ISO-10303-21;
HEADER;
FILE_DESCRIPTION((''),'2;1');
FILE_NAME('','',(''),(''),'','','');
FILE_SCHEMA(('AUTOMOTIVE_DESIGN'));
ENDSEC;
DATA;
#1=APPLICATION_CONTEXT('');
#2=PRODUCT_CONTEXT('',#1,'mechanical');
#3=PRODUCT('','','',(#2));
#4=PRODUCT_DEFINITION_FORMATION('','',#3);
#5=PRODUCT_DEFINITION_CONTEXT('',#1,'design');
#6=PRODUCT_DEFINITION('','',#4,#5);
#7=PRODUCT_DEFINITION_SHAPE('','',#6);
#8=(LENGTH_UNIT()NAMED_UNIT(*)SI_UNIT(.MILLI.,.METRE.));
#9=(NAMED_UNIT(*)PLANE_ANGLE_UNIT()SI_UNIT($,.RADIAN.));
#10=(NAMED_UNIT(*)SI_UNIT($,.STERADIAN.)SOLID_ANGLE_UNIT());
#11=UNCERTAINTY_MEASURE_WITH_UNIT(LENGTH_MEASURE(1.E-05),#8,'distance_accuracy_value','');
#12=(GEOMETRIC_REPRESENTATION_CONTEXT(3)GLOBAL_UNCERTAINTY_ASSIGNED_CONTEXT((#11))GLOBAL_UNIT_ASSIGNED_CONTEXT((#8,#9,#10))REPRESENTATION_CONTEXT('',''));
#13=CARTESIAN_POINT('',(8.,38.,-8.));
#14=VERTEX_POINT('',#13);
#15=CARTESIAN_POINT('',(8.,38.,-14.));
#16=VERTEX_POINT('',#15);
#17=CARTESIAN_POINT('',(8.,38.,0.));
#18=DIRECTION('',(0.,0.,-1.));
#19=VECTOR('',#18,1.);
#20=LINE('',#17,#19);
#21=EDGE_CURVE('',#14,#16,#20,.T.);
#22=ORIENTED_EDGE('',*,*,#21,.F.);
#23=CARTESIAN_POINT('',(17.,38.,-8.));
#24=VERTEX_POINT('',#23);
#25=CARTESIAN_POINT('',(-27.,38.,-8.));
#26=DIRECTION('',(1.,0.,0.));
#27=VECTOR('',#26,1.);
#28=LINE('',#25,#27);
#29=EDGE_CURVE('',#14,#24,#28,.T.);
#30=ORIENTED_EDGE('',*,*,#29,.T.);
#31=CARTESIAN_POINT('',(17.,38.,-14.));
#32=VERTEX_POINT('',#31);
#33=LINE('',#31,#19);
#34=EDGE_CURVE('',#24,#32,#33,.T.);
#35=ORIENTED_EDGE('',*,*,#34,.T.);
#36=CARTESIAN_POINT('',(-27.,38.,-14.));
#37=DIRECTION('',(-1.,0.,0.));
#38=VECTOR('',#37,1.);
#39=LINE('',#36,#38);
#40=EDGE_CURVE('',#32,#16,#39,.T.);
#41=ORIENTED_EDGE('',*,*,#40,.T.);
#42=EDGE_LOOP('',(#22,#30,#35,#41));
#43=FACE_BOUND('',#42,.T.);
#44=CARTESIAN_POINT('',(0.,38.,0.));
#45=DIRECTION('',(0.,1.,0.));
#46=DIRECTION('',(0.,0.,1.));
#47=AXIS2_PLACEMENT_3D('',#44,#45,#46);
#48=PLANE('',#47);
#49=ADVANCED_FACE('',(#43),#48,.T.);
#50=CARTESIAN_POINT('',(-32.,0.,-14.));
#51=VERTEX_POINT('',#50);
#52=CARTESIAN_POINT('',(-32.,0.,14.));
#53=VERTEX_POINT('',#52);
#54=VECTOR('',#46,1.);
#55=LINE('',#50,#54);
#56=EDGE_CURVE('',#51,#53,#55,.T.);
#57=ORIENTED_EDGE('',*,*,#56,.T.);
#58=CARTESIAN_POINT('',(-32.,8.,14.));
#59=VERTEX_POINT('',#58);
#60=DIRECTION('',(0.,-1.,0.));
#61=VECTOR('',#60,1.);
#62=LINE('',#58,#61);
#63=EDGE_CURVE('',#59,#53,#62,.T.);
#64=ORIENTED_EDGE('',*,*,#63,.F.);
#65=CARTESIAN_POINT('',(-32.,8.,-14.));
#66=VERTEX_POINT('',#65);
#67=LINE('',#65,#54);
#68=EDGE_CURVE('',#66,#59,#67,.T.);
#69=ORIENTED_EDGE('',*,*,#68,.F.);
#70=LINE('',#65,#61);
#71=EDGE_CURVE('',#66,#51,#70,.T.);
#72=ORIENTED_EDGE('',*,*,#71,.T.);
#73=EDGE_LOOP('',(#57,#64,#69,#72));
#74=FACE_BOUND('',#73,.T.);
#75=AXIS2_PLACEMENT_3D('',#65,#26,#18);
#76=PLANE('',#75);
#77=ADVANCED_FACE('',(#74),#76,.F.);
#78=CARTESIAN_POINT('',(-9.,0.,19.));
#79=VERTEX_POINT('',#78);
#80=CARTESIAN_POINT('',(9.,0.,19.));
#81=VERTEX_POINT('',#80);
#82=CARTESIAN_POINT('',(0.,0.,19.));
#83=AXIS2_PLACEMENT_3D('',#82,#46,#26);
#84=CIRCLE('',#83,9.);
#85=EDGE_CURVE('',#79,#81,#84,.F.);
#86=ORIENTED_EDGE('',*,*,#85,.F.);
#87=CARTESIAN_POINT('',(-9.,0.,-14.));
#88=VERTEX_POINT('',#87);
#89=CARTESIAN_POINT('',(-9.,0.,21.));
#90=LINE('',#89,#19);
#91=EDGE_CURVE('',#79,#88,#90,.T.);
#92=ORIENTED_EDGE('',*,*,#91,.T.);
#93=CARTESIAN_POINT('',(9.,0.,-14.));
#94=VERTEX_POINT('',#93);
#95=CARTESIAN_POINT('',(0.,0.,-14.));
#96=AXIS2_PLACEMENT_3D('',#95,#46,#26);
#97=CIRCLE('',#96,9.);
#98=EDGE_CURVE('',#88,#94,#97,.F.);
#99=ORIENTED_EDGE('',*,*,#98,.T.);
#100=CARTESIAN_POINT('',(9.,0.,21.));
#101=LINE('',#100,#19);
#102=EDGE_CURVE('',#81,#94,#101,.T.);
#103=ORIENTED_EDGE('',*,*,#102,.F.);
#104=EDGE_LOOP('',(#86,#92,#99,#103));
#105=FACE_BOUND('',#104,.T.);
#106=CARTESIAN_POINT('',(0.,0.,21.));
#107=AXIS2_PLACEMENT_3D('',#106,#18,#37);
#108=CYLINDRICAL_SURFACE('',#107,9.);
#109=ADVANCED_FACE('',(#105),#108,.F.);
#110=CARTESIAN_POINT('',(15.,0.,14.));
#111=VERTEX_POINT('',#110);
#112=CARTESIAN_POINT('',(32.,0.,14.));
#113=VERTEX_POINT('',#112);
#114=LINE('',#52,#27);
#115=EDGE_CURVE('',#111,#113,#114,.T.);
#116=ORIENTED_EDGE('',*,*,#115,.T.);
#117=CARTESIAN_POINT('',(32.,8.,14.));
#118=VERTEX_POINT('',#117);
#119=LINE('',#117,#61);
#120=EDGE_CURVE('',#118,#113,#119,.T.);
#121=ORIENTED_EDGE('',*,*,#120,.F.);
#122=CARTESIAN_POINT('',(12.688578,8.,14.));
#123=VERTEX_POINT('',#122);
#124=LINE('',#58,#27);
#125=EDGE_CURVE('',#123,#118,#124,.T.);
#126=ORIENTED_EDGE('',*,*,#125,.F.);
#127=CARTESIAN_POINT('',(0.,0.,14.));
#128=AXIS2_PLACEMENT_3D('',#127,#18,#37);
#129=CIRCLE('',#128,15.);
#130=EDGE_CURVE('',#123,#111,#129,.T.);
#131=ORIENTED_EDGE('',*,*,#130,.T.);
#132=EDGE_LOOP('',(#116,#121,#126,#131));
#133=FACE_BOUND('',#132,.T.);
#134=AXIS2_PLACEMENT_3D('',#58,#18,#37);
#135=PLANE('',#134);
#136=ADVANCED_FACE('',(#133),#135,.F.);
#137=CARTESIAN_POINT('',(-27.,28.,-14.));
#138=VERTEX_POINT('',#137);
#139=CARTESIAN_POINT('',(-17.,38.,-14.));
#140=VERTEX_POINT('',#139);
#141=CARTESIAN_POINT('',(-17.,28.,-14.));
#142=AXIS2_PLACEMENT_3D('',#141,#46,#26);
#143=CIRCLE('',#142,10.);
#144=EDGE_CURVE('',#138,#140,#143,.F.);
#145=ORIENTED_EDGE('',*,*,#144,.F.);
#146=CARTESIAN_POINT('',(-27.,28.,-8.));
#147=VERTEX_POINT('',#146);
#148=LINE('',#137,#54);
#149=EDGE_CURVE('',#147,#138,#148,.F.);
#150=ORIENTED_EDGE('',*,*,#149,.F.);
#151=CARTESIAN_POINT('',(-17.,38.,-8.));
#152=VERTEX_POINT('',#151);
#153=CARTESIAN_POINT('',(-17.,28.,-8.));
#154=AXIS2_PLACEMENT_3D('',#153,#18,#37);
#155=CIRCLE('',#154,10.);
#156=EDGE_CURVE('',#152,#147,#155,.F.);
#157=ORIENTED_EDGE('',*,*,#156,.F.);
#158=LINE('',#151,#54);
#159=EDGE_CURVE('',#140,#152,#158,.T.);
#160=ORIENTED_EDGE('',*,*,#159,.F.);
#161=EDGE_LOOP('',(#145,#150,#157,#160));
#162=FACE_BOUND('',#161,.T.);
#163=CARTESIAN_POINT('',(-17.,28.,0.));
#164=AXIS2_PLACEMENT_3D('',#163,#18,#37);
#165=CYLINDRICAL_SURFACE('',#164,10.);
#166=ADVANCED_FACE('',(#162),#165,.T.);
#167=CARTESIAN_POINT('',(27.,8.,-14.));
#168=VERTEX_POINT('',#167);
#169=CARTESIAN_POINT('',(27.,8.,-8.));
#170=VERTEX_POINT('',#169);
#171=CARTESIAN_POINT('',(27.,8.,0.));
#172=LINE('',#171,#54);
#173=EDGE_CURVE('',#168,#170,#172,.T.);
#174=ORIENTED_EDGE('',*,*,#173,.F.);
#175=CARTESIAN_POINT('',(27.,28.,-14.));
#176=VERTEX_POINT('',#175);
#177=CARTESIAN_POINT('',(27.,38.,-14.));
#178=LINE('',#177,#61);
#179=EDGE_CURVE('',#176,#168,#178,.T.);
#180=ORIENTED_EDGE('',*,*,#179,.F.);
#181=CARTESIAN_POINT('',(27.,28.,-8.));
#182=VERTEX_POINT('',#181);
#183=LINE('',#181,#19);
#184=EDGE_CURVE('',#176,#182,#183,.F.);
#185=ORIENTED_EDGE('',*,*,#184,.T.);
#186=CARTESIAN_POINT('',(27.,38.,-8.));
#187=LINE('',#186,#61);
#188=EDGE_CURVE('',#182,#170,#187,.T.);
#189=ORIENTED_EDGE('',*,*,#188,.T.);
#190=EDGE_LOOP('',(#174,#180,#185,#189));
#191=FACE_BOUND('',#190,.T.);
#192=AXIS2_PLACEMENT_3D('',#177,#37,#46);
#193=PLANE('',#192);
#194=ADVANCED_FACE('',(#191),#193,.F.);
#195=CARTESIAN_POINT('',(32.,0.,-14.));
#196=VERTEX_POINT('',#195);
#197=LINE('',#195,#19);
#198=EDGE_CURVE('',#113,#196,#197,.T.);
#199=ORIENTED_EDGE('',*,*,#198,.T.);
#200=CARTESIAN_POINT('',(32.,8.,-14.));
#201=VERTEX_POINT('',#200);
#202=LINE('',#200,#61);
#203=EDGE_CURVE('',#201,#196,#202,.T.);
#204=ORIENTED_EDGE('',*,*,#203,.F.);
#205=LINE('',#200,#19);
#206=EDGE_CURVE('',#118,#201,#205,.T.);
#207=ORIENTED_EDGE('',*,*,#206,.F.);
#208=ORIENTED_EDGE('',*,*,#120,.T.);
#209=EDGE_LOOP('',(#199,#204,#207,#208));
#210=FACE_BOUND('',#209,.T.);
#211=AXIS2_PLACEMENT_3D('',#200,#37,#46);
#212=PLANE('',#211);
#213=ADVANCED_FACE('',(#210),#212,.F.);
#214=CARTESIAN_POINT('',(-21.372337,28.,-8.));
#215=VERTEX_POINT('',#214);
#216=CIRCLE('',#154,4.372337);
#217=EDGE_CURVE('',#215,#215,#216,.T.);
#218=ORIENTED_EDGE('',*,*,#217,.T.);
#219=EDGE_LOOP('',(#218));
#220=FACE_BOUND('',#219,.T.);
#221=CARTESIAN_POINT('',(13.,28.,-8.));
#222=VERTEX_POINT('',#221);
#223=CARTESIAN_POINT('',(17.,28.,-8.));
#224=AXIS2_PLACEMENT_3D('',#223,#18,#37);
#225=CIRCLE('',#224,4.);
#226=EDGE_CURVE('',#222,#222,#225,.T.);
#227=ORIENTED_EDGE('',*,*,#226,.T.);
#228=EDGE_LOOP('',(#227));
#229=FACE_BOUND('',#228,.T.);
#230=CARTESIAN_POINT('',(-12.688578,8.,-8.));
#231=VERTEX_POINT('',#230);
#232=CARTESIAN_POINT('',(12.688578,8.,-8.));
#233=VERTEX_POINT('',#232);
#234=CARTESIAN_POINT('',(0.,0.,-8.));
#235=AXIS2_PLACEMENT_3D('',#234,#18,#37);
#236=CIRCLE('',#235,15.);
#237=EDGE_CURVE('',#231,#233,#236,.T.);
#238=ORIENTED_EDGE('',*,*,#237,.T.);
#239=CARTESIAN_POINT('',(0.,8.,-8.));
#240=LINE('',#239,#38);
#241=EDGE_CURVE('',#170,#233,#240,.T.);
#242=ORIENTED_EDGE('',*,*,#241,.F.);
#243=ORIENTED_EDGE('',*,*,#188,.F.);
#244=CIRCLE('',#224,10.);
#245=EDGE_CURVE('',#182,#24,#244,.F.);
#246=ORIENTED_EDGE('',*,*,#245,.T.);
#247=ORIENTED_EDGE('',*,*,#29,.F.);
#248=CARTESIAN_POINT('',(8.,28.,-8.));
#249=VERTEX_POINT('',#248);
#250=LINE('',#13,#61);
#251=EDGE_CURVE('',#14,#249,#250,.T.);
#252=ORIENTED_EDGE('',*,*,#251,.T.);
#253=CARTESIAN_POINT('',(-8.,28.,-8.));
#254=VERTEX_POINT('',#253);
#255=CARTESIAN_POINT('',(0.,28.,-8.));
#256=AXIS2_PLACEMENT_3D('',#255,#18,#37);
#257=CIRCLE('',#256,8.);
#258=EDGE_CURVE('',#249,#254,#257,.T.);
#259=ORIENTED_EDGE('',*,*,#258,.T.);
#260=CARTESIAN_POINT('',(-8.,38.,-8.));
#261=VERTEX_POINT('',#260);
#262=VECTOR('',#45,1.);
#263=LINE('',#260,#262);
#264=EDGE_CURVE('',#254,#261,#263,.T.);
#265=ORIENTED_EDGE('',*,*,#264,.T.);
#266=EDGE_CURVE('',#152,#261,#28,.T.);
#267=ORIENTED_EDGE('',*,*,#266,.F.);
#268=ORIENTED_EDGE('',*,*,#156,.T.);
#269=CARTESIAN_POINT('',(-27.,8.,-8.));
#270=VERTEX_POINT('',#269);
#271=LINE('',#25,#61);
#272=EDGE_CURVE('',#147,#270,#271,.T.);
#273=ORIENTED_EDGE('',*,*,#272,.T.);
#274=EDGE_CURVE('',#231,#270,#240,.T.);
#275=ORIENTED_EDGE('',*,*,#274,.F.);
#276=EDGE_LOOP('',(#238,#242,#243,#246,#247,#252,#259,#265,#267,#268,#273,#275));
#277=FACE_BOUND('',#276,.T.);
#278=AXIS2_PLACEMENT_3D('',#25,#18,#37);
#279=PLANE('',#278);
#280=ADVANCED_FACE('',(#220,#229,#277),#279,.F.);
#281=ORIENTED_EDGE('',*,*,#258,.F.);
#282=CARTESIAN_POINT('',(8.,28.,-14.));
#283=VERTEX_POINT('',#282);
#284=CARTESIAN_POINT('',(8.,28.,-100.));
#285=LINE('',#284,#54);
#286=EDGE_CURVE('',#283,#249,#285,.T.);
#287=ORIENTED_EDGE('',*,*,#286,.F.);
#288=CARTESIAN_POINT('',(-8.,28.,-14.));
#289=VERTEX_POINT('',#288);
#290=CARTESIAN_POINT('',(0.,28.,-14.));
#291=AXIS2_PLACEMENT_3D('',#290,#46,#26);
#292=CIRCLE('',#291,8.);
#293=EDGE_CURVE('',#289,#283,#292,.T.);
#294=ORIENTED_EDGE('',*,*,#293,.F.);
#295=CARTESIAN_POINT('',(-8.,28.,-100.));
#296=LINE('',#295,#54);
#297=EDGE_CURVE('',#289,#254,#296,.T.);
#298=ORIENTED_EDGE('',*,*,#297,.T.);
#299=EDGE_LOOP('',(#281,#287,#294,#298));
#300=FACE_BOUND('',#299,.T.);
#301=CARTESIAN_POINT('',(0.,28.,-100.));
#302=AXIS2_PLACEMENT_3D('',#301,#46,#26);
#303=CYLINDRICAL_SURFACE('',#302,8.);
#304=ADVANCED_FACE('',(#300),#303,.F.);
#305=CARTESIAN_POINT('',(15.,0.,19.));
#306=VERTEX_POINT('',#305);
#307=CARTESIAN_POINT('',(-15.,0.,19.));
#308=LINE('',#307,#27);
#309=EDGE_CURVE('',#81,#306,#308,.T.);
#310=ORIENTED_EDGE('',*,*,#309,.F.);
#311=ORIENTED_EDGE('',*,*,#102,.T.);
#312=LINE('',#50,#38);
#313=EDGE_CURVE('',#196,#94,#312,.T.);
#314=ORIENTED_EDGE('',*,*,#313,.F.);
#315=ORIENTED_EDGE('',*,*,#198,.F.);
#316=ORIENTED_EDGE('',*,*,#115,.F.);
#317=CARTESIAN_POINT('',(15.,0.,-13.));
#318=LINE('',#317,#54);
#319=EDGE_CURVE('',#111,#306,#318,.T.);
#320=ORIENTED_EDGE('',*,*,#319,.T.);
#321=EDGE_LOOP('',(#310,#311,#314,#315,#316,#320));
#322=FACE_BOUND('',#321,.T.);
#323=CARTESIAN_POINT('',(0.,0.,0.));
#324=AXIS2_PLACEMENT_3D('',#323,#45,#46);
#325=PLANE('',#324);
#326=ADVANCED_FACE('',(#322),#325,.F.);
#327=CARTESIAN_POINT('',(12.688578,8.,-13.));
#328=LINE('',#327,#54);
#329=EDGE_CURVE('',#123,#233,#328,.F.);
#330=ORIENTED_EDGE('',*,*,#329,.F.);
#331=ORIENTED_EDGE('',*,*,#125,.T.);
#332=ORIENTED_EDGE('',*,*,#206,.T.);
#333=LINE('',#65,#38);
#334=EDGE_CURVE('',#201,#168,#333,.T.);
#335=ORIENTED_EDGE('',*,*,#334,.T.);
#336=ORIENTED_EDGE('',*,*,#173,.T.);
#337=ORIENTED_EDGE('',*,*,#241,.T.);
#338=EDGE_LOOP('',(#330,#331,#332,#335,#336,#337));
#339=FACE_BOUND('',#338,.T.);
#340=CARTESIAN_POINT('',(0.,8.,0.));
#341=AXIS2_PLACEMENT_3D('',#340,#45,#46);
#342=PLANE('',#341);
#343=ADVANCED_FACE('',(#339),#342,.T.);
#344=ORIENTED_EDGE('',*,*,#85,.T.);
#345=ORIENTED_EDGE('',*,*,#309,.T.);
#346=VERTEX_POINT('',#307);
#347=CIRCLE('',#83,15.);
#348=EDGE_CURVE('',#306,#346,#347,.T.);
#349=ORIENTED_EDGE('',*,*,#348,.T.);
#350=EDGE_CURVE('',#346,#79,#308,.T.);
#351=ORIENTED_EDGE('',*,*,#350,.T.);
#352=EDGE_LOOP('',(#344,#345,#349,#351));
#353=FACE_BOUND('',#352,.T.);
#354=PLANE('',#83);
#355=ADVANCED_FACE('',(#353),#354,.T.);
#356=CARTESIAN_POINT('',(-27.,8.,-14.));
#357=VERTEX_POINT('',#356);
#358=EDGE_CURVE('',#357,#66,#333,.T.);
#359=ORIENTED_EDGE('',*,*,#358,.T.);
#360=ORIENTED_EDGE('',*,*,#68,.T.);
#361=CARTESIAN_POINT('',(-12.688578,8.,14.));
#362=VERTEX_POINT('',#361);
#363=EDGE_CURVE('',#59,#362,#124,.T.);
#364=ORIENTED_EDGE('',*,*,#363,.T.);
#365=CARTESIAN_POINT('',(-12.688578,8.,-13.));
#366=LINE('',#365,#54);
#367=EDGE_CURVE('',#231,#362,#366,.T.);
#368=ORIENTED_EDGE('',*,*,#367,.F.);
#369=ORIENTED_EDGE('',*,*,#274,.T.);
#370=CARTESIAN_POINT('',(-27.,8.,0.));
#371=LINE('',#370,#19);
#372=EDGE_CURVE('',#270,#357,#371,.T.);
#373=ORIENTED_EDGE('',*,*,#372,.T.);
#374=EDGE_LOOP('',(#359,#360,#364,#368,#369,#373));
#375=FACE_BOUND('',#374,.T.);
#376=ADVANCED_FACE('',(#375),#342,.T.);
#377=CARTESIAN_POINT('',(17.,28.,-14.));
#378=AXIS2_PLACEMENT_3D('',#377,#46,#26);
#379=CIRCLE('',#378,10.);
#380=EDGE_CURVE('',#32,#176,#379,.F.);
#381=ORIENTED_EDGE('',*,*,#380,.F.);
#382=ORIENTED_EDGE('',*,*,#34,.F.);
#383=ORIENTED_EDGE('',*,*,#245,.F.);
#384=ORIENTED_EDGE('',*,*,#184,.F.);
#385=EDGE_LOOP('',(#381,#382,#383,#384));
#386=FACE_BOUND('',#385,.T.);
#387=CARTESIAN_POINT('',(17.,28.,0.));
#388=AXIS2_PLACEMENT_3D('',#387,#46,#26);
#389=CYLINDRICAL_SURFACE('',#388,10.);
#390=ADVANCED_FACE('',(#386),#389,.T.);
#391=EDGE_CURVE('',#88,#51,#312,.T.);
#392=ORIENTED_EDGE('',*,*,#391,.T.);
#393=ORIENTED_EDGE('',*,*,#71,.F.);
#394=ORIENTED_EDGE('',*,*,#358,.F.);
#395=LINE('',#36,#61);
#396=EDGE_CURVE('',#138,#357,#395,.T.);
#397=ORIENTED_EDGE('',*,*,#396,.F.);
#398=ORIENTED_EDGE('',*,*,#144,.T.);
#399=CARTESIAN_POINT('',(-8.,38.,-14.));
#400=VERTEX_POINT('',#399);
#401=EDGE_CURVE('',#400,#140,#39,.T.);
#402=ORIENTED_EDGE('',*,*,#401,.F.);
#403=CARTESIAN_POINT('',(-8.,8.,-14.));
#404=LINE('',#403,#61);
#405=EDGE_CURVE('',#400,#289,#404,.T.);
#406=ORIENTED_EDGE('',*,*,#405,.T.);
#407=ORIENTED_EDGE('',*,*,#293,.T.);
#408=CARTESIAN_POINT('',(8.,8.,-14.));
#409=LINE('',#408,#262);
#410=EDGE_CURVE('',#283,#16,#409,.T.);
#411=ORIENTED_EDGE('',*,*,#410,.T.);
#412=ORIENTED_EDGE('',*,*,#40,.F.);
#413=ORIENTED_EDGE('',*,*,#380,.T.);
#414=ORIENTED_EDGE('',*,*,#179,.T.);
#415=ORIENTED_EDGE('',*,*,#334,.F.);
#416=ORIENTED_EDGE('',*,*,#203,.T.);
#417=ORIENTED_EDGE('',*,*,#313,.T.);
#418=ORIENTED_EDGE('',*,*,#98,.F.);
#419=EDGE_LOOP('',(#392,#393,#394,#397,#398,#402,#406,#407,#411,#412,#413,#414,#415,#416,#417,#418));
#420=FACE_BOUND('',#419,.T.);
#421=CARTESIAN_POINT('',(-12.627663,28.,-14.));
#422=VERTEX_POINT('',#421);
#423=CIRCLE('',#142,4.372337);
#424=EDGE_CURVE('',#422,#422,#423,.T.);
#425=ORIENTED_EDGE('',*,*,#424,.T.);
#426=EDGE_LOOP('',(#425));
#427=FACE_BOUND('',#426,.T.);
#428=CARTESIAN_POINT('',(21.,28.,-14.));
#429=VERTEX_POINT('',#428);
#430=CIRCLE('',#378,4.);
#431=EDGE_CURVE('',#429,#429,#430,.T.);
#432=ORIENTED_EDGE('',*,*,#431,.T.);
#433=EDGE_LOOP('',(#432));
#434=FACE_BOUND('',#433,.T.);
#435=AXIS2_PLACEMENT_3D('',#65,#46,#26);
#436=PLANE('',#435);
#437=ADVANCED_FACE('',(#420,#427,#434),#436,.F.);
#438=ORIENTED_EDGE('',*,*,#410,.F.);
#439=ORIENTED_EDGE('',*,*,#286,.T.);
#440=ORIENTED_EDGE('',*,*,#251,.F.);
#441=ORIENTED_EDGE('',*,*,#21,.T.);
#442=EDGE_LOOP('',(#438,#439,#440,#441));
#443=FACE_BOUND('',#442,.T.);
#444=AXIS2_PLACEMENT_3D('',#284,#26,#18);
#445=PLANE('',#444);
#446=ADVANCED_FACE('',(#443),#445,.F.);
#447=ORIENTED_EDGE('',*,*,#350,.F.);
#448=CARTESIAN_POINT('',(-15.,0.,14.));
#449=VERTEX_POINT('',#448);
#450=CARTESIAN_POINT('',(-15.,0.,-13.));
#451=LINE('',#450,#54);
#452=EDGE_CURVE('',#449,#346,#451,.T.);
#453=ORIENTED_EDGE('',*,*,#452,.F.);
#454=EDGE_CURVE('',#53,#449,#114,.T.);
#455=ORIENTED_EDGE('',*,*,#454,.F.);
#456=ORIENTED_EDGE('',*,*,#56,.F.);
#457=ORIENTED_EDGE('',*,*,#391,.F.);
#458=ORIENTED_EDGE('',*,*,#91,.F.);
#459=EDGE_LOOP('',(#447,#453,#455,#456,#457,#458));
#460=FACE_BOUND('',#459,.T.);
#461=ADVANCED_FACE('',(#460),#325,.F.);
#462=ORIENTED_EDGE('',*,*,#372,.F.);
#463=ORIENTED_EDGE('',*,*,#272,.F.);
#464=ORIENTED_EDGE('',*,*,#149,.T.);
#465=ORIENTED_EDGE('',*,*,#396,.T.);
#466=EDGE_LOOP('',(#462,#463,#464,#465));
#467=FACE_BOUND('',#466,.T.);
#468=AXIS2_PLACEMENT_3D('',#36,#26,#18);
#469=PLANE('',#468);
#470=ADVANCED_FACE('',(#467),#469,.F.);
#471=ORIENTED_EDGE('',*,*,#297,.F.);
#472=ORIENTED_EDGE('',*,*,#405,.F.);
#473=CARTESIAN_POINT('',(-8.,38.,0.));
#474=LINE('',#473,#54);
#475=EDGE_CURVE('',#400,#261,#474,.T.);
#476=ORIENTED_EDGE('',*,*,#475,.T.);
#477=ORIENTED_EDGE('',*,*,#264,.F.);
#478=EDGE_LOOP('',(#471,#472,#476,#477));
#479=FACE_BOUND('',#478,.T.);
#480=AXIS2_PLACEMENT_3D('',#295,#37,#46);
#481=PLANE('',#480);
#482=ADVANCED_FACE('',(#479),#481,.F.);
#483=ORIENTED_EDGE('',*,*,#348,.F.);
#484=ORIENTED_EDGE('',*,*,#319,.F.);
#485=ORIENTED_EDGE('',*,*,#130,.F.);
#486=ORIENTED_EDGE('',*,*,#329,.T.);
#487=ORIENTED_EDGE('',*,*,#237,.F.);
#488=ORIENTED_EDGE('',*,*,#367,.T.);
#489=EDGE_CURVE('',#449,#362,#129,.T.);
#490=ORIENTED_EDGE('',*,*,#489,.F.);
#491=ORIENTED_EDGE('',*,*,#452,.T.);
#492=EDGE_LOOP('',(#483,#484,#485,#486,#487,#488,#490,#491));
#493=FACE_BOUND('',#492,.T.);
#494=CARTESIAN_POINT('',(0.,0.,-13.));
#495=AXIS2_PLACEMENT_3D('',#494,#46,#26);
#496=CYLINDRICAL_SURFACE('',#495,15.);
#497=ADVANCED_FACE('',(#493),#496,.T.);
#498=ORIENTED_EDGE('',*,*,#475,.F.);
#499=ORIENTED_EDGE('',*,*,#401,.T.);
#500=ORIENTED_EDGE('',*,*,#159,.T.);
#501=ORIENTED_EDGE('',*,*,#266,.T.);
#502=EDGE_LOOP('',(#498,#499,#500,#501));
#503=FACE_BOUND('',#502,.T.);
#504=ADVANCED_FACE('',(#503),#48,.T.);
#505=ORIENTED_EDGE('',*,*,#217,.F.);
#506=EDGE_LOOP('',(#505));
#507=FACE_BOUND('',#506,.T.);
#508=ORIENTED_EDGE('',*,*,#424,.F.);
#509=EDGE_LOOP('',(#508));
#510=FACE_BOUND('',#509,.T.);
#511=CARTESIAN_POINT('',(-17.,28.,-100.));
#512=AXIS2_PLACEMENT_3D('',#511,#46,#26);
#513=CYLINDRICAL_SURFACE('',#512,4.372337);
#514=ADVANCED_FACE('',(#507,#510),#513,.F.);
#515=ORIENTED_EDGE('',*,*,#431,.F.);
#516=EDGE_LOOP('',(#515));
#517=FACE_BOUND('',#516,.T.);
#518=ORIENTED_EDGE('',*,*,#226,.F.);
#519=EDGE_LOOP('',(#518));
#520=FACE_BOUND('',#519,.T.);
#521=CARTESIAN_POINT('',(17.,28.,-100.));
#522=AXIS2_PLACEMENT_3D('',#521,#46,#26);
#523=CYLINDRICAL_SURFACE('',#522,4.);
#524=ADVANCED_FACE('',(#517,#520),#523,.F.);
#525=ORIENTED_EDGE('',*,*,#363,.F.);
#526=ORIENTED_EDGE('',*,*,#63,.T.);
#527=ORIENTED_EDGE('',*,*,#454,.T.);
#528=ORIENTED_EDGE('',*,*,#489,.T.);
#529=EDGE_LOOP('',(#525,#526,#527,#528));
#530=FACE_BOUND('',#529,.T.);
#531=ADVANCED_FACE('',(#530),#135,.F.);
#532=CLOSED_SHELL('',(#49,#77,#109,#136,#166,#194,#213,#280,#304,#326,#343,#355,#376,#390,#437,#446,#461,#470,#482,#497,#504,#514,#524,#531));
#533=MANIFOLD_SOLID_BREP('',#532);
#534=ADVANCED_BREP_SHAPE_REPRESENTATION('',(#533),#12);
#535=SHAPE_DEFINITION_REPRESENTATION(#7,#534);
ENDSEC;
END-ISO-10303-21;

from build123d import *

# Parameters (mm, degrees)
SKETCH_1_W               = 64
SKETCH_1_H               = 28
EXTRUDE_1_DEPTH          = 8
SKETCH_2_W               = 54
SKETCH_2_H               = 6
EXTRUDE_2_DEPTH          = 38
FILLET_1_R               = 10
EXTRUDE_3_DEPTH          = 19
EXTRUDE_3_DEPTH_BACK     = 13
CUT_EXTRUDE_1_DEPTH      = 21
CUT_EXTRUDE_1_DEPTH_BACK = 21
SKETCH_5_R               = 4.372337206
SKETCH_5_R_2             = 4
CUT_EXTRUDE_3_DEPTH      = 100


with BuildPart() as part:
    # 草图1 → 凸台-拉伸1 (new body)
    with BuildSketch(Plane(origin=(0, 0, 0), x_dir=(1, 0, 0), z_dir=(0, 1, 0))):
        Rectangle(SKETCH_1_W, SKETCH_1_H)
    extrude(amount=EXTRUDE_1_DEPTH)

    # 草图2 → 凸台-拉伸2 (add)
    with BuildSketch(Plane(origin=(0, 0, 0), x_dir=(1, 0, 0), z_dir=(0, 1, 0))):
        with Locations((0, 11)):
            Rectangle(SKETCH_2_W, SKETCH_2_H)
    extrude(amount=EXTRUDE_2_DEPTH)

    # 圆角1
    fillet_1_edges = [part.edges().sort_by_distance(p)[0] for p in [
        (-27, 38, -11),
        (27, 38, -11),
    ]]
    fillet(fillet_1_edges, radius=FILLET_1_R)

    # 草图3 → 凸台-拉伸3 (add, two sides: drawn at the far end of the back side and taken through both)
    with BuildSketch(Plane.XY.offset(-EXTRUDE_3_DEPTH_BACK)):
        with BuildLine():
            Line((-15, 0), (15, 0))
            ThreePointArc((15, 0), (0, 15), (-15, 0))
        make_face()
    extrude(amount=EXTRUDE_3_DEPTH + EXTRUDE_3_DEPTH_BACK)

    # 草图4 → 切除-拉伸1 (cut, two sides: drawn at the far end of the back side and taken through both)
    with BuildSketch(Plane.XY.offset(-CUT_EXTRUDE_1_DEPTH_BACK)):
        with BuildLine():
            Line((-9, 0), (9, 0))
            ThreePointArc((9, 0), (0, 9), (-9, 0))
        make_face()
    extrude(amount=CUT_EXTRUDE_1_DEPTH + CUT_EXTRUDE_1_DEPTH_BACK, mode=Mode.SUBTRACT)

    # 草图5 → 切除-拉伸3 (cut)
    with BuildSketch(Plane.XY):
        with Locations((-17, 28)):
            Circle(SKETCH_5_R)
        with Locations((17, 28)):
            Circle(SKETCH_5_R_2)
        with BuildLine():
            Line((-8, 28), (-8, 38))
            Line((-8, 38), (8, 38))
            Line((8, 38), (8, 28))
            ThreePointArc((8, 28), (0, 20), (-8, 28))
        make_face()
    extrude(amount=-CUT_EXTRUDE_3_DEPTH, mode=Mode.SUBTRACT)


solid = part.part
